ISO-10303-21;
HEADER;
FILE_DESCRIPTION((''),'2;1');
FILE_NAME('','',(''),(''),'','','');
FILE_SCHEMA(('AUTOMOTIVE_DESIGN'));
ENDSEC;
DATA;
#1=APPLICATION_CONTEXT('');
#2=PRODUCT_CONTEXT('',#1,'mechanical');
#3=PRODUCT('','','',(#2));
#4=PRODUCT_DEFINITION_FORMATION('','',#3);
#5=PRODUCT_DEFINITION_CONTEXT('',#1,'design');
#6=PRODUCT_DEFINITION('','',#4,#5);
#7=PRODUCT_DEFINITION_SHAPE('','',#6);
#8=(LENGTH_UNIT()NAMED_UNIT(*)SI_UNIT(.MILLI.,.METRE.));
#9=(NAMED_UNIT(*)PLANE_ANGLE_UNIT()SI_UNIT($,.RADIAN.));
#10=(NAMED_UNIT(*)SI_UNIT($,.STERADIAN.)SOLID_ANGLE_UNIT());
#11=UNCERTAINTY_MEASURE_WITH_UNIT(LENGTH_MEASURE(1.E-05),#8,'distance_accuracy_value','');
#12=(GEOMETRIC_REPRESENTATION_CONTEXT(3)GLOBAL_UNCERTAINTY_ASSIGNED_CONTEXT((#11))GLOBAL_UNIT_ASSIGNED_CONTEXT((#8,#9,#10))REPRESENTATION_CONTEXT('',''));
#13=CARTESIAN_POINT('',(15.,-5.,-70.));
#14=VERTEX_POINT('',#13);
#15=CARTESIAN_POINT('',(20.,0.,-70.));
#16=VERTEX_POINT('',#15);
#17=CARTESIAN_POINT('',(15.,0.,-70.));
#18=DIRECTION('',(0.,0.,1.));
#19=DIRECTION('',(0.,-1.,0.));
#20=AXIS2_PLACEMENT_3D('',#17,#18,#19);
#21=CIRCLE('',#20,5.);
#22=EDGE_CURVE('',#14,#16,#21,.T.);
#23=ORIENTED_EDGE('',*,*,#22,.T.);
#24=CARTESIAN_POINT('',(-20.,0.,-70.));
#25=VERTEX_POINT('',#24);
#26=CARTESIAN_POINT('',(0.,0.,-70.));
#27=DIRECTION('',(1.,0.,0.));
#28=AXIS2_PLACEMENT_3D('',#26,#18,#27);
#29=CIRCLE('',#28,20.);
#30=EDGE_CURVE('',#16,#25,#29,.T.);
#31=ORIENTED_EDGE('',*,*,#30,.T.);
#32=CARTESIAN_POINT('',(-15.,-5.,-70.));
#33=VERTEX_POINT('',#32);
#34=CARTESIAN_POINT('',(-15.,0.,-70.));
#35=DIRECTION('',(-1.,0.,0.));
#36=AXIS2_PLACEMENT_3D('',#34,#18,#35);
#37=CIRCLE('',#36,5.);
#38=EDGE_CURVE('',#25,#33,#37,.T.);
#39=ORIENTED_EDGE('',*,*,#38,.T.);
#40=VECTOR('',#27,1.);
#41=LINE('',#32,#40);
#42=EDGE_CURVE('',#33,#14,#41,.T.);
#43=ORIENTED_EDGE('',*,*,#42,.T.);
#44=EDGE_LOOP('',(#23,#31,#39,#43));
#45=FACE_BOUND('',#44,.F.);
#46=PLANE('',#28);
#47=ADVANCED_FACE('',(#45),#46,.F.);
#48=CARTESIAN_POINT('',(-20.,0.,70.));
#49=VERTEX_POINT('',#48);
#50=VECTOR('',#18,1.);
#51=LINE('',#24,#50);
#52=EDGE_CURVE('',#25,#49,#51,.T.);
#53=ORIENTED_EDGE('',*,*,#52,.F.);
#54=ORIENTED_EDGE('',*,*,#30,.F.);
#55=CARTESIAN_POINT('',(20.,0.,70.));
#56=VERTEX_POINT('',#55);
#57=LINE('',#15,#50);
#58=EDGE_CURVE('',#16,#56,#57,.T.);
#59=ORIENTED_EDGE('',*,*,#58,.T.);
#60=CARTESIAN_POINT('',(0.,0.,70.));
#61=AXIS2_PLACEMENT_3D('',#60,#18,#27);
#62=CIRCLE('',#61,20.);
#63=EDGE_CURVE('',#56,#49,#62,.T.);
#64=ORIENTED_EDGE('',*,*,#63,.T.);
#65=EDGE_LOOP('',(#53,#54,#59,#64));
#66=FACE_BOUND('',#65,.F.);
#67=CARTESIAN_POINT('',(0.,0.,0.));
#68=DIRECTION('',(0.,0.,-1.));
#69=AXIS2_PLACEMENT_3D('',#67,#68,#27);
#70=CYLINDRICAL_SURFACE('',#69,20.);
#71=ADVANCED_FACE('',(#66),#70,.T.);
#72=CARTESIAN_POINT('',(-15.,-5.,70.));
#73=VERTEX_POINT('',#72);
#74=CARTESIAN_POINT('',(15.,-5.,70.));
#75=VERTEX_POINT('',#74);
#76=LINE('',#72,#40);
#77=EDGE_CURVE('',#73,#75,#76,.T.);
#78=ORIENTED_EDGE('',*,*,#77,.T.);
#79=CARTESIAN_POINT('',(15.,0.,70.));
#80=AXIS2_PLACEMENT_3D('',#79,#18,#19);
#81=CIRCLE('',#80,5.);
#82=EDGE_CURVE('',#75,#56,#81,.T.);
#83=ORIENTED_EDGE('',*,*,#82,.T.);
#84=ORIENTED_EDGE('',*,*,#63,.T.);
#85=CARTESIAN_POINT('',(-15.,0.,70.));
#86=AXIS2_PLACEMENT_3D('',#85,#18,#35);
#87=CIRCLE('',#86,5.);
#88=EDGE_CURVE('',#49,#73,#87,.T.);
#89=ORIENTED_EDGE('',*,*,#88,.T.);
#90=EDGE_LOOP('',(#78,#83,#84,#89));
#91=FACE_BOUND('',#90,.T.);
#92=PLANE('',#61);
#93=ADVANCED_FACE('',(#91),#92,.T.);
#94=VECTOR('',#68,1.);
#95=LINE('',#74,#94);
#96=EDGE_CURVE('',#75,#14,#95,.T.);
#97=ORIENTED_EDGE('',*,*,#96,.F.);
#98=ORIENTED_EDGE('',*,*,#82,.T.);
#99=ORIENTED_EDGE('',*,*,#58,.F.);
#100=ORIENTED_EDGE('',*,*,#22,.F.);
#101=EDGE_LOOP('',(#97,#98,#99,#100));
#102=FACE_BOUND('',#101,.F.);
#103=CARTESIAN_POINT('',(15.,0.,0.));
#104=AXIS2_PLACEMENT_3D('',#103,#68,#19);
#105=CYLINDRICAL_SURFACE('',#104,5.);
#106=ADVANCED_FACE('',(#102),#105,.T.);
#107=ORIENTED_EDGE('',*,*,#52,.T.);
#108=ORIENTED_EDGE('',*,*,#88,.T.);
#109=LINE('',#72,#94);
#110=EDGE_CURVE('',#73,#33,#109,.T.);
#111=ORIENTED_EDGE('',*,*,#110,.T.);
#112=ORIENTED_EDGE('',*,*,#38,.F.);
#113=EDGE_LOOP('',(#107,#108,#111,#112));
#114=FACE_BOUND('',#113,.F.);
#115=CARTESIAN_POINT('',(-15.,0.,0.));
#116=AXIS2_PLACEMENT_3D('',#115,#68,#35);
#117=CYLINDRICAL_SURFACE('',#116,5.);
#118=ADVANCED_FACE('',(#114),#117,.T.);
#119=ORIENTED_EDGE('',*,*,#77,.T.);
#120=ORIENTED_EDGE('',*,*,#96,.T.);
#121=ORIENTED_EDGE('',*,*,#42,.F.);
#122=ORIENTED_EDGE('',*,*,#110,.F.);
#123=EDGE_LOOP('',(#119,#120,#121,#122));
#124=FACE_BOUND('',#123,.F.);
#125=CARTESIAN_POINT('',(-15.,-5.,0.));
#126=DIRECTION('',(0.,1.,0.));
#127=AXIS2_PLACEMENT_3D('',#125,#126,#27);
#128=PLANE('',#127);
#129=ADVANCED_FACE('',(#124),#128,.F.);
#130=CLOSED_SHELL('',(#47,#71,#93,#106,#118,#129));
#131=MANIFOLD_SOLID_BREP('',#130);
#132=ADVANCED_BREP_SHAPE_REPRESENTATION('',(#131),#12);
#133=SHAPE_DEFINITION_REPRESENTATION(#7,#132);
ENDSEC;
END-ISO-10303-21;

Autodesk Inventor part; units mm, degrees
ref_plane "YZ Plane" through (0, 0, 0) normal (1, 0, 0) x (0, 1, 0)
ref_plane "XZ Plane" through (0, 0, 0) normal (0, 1, 0) x (-1, 0, 0)
ref_plane "XY Plane" through (0, 0, 0) normal (0, 0, 1) x (1, 0, 0)
sketch "Sketch1" plane through (0, 0, 0) normal (0, 0, 1) x (1, 0, 0)
  arc A0 (20, 0) -> (-20, 0) centre (0, 0) ccw
  line L0 (-20, 0) -> (-20, 0)
  line L1 (-15, -5) -> (15, -5)
  line L2 (20, 0) -> (20, 0)
  arc A1 (-20, 0) -> (-15, -5) centre (-15, 0) ccw
  arc A2 (15, -5) -> (20, 0) centre (15, 0) ccw
  point P0 (-20, -5)
  point P1 (20, -5)
  dimension "d0" = 40
  dimension "d1" = 20
  dimension "d2" = 5
  dimension "d5" = 5
  dimension "d6" = 5
extrude "Extrusion1" add sketch "Sketch1" along normal mid plane 140
